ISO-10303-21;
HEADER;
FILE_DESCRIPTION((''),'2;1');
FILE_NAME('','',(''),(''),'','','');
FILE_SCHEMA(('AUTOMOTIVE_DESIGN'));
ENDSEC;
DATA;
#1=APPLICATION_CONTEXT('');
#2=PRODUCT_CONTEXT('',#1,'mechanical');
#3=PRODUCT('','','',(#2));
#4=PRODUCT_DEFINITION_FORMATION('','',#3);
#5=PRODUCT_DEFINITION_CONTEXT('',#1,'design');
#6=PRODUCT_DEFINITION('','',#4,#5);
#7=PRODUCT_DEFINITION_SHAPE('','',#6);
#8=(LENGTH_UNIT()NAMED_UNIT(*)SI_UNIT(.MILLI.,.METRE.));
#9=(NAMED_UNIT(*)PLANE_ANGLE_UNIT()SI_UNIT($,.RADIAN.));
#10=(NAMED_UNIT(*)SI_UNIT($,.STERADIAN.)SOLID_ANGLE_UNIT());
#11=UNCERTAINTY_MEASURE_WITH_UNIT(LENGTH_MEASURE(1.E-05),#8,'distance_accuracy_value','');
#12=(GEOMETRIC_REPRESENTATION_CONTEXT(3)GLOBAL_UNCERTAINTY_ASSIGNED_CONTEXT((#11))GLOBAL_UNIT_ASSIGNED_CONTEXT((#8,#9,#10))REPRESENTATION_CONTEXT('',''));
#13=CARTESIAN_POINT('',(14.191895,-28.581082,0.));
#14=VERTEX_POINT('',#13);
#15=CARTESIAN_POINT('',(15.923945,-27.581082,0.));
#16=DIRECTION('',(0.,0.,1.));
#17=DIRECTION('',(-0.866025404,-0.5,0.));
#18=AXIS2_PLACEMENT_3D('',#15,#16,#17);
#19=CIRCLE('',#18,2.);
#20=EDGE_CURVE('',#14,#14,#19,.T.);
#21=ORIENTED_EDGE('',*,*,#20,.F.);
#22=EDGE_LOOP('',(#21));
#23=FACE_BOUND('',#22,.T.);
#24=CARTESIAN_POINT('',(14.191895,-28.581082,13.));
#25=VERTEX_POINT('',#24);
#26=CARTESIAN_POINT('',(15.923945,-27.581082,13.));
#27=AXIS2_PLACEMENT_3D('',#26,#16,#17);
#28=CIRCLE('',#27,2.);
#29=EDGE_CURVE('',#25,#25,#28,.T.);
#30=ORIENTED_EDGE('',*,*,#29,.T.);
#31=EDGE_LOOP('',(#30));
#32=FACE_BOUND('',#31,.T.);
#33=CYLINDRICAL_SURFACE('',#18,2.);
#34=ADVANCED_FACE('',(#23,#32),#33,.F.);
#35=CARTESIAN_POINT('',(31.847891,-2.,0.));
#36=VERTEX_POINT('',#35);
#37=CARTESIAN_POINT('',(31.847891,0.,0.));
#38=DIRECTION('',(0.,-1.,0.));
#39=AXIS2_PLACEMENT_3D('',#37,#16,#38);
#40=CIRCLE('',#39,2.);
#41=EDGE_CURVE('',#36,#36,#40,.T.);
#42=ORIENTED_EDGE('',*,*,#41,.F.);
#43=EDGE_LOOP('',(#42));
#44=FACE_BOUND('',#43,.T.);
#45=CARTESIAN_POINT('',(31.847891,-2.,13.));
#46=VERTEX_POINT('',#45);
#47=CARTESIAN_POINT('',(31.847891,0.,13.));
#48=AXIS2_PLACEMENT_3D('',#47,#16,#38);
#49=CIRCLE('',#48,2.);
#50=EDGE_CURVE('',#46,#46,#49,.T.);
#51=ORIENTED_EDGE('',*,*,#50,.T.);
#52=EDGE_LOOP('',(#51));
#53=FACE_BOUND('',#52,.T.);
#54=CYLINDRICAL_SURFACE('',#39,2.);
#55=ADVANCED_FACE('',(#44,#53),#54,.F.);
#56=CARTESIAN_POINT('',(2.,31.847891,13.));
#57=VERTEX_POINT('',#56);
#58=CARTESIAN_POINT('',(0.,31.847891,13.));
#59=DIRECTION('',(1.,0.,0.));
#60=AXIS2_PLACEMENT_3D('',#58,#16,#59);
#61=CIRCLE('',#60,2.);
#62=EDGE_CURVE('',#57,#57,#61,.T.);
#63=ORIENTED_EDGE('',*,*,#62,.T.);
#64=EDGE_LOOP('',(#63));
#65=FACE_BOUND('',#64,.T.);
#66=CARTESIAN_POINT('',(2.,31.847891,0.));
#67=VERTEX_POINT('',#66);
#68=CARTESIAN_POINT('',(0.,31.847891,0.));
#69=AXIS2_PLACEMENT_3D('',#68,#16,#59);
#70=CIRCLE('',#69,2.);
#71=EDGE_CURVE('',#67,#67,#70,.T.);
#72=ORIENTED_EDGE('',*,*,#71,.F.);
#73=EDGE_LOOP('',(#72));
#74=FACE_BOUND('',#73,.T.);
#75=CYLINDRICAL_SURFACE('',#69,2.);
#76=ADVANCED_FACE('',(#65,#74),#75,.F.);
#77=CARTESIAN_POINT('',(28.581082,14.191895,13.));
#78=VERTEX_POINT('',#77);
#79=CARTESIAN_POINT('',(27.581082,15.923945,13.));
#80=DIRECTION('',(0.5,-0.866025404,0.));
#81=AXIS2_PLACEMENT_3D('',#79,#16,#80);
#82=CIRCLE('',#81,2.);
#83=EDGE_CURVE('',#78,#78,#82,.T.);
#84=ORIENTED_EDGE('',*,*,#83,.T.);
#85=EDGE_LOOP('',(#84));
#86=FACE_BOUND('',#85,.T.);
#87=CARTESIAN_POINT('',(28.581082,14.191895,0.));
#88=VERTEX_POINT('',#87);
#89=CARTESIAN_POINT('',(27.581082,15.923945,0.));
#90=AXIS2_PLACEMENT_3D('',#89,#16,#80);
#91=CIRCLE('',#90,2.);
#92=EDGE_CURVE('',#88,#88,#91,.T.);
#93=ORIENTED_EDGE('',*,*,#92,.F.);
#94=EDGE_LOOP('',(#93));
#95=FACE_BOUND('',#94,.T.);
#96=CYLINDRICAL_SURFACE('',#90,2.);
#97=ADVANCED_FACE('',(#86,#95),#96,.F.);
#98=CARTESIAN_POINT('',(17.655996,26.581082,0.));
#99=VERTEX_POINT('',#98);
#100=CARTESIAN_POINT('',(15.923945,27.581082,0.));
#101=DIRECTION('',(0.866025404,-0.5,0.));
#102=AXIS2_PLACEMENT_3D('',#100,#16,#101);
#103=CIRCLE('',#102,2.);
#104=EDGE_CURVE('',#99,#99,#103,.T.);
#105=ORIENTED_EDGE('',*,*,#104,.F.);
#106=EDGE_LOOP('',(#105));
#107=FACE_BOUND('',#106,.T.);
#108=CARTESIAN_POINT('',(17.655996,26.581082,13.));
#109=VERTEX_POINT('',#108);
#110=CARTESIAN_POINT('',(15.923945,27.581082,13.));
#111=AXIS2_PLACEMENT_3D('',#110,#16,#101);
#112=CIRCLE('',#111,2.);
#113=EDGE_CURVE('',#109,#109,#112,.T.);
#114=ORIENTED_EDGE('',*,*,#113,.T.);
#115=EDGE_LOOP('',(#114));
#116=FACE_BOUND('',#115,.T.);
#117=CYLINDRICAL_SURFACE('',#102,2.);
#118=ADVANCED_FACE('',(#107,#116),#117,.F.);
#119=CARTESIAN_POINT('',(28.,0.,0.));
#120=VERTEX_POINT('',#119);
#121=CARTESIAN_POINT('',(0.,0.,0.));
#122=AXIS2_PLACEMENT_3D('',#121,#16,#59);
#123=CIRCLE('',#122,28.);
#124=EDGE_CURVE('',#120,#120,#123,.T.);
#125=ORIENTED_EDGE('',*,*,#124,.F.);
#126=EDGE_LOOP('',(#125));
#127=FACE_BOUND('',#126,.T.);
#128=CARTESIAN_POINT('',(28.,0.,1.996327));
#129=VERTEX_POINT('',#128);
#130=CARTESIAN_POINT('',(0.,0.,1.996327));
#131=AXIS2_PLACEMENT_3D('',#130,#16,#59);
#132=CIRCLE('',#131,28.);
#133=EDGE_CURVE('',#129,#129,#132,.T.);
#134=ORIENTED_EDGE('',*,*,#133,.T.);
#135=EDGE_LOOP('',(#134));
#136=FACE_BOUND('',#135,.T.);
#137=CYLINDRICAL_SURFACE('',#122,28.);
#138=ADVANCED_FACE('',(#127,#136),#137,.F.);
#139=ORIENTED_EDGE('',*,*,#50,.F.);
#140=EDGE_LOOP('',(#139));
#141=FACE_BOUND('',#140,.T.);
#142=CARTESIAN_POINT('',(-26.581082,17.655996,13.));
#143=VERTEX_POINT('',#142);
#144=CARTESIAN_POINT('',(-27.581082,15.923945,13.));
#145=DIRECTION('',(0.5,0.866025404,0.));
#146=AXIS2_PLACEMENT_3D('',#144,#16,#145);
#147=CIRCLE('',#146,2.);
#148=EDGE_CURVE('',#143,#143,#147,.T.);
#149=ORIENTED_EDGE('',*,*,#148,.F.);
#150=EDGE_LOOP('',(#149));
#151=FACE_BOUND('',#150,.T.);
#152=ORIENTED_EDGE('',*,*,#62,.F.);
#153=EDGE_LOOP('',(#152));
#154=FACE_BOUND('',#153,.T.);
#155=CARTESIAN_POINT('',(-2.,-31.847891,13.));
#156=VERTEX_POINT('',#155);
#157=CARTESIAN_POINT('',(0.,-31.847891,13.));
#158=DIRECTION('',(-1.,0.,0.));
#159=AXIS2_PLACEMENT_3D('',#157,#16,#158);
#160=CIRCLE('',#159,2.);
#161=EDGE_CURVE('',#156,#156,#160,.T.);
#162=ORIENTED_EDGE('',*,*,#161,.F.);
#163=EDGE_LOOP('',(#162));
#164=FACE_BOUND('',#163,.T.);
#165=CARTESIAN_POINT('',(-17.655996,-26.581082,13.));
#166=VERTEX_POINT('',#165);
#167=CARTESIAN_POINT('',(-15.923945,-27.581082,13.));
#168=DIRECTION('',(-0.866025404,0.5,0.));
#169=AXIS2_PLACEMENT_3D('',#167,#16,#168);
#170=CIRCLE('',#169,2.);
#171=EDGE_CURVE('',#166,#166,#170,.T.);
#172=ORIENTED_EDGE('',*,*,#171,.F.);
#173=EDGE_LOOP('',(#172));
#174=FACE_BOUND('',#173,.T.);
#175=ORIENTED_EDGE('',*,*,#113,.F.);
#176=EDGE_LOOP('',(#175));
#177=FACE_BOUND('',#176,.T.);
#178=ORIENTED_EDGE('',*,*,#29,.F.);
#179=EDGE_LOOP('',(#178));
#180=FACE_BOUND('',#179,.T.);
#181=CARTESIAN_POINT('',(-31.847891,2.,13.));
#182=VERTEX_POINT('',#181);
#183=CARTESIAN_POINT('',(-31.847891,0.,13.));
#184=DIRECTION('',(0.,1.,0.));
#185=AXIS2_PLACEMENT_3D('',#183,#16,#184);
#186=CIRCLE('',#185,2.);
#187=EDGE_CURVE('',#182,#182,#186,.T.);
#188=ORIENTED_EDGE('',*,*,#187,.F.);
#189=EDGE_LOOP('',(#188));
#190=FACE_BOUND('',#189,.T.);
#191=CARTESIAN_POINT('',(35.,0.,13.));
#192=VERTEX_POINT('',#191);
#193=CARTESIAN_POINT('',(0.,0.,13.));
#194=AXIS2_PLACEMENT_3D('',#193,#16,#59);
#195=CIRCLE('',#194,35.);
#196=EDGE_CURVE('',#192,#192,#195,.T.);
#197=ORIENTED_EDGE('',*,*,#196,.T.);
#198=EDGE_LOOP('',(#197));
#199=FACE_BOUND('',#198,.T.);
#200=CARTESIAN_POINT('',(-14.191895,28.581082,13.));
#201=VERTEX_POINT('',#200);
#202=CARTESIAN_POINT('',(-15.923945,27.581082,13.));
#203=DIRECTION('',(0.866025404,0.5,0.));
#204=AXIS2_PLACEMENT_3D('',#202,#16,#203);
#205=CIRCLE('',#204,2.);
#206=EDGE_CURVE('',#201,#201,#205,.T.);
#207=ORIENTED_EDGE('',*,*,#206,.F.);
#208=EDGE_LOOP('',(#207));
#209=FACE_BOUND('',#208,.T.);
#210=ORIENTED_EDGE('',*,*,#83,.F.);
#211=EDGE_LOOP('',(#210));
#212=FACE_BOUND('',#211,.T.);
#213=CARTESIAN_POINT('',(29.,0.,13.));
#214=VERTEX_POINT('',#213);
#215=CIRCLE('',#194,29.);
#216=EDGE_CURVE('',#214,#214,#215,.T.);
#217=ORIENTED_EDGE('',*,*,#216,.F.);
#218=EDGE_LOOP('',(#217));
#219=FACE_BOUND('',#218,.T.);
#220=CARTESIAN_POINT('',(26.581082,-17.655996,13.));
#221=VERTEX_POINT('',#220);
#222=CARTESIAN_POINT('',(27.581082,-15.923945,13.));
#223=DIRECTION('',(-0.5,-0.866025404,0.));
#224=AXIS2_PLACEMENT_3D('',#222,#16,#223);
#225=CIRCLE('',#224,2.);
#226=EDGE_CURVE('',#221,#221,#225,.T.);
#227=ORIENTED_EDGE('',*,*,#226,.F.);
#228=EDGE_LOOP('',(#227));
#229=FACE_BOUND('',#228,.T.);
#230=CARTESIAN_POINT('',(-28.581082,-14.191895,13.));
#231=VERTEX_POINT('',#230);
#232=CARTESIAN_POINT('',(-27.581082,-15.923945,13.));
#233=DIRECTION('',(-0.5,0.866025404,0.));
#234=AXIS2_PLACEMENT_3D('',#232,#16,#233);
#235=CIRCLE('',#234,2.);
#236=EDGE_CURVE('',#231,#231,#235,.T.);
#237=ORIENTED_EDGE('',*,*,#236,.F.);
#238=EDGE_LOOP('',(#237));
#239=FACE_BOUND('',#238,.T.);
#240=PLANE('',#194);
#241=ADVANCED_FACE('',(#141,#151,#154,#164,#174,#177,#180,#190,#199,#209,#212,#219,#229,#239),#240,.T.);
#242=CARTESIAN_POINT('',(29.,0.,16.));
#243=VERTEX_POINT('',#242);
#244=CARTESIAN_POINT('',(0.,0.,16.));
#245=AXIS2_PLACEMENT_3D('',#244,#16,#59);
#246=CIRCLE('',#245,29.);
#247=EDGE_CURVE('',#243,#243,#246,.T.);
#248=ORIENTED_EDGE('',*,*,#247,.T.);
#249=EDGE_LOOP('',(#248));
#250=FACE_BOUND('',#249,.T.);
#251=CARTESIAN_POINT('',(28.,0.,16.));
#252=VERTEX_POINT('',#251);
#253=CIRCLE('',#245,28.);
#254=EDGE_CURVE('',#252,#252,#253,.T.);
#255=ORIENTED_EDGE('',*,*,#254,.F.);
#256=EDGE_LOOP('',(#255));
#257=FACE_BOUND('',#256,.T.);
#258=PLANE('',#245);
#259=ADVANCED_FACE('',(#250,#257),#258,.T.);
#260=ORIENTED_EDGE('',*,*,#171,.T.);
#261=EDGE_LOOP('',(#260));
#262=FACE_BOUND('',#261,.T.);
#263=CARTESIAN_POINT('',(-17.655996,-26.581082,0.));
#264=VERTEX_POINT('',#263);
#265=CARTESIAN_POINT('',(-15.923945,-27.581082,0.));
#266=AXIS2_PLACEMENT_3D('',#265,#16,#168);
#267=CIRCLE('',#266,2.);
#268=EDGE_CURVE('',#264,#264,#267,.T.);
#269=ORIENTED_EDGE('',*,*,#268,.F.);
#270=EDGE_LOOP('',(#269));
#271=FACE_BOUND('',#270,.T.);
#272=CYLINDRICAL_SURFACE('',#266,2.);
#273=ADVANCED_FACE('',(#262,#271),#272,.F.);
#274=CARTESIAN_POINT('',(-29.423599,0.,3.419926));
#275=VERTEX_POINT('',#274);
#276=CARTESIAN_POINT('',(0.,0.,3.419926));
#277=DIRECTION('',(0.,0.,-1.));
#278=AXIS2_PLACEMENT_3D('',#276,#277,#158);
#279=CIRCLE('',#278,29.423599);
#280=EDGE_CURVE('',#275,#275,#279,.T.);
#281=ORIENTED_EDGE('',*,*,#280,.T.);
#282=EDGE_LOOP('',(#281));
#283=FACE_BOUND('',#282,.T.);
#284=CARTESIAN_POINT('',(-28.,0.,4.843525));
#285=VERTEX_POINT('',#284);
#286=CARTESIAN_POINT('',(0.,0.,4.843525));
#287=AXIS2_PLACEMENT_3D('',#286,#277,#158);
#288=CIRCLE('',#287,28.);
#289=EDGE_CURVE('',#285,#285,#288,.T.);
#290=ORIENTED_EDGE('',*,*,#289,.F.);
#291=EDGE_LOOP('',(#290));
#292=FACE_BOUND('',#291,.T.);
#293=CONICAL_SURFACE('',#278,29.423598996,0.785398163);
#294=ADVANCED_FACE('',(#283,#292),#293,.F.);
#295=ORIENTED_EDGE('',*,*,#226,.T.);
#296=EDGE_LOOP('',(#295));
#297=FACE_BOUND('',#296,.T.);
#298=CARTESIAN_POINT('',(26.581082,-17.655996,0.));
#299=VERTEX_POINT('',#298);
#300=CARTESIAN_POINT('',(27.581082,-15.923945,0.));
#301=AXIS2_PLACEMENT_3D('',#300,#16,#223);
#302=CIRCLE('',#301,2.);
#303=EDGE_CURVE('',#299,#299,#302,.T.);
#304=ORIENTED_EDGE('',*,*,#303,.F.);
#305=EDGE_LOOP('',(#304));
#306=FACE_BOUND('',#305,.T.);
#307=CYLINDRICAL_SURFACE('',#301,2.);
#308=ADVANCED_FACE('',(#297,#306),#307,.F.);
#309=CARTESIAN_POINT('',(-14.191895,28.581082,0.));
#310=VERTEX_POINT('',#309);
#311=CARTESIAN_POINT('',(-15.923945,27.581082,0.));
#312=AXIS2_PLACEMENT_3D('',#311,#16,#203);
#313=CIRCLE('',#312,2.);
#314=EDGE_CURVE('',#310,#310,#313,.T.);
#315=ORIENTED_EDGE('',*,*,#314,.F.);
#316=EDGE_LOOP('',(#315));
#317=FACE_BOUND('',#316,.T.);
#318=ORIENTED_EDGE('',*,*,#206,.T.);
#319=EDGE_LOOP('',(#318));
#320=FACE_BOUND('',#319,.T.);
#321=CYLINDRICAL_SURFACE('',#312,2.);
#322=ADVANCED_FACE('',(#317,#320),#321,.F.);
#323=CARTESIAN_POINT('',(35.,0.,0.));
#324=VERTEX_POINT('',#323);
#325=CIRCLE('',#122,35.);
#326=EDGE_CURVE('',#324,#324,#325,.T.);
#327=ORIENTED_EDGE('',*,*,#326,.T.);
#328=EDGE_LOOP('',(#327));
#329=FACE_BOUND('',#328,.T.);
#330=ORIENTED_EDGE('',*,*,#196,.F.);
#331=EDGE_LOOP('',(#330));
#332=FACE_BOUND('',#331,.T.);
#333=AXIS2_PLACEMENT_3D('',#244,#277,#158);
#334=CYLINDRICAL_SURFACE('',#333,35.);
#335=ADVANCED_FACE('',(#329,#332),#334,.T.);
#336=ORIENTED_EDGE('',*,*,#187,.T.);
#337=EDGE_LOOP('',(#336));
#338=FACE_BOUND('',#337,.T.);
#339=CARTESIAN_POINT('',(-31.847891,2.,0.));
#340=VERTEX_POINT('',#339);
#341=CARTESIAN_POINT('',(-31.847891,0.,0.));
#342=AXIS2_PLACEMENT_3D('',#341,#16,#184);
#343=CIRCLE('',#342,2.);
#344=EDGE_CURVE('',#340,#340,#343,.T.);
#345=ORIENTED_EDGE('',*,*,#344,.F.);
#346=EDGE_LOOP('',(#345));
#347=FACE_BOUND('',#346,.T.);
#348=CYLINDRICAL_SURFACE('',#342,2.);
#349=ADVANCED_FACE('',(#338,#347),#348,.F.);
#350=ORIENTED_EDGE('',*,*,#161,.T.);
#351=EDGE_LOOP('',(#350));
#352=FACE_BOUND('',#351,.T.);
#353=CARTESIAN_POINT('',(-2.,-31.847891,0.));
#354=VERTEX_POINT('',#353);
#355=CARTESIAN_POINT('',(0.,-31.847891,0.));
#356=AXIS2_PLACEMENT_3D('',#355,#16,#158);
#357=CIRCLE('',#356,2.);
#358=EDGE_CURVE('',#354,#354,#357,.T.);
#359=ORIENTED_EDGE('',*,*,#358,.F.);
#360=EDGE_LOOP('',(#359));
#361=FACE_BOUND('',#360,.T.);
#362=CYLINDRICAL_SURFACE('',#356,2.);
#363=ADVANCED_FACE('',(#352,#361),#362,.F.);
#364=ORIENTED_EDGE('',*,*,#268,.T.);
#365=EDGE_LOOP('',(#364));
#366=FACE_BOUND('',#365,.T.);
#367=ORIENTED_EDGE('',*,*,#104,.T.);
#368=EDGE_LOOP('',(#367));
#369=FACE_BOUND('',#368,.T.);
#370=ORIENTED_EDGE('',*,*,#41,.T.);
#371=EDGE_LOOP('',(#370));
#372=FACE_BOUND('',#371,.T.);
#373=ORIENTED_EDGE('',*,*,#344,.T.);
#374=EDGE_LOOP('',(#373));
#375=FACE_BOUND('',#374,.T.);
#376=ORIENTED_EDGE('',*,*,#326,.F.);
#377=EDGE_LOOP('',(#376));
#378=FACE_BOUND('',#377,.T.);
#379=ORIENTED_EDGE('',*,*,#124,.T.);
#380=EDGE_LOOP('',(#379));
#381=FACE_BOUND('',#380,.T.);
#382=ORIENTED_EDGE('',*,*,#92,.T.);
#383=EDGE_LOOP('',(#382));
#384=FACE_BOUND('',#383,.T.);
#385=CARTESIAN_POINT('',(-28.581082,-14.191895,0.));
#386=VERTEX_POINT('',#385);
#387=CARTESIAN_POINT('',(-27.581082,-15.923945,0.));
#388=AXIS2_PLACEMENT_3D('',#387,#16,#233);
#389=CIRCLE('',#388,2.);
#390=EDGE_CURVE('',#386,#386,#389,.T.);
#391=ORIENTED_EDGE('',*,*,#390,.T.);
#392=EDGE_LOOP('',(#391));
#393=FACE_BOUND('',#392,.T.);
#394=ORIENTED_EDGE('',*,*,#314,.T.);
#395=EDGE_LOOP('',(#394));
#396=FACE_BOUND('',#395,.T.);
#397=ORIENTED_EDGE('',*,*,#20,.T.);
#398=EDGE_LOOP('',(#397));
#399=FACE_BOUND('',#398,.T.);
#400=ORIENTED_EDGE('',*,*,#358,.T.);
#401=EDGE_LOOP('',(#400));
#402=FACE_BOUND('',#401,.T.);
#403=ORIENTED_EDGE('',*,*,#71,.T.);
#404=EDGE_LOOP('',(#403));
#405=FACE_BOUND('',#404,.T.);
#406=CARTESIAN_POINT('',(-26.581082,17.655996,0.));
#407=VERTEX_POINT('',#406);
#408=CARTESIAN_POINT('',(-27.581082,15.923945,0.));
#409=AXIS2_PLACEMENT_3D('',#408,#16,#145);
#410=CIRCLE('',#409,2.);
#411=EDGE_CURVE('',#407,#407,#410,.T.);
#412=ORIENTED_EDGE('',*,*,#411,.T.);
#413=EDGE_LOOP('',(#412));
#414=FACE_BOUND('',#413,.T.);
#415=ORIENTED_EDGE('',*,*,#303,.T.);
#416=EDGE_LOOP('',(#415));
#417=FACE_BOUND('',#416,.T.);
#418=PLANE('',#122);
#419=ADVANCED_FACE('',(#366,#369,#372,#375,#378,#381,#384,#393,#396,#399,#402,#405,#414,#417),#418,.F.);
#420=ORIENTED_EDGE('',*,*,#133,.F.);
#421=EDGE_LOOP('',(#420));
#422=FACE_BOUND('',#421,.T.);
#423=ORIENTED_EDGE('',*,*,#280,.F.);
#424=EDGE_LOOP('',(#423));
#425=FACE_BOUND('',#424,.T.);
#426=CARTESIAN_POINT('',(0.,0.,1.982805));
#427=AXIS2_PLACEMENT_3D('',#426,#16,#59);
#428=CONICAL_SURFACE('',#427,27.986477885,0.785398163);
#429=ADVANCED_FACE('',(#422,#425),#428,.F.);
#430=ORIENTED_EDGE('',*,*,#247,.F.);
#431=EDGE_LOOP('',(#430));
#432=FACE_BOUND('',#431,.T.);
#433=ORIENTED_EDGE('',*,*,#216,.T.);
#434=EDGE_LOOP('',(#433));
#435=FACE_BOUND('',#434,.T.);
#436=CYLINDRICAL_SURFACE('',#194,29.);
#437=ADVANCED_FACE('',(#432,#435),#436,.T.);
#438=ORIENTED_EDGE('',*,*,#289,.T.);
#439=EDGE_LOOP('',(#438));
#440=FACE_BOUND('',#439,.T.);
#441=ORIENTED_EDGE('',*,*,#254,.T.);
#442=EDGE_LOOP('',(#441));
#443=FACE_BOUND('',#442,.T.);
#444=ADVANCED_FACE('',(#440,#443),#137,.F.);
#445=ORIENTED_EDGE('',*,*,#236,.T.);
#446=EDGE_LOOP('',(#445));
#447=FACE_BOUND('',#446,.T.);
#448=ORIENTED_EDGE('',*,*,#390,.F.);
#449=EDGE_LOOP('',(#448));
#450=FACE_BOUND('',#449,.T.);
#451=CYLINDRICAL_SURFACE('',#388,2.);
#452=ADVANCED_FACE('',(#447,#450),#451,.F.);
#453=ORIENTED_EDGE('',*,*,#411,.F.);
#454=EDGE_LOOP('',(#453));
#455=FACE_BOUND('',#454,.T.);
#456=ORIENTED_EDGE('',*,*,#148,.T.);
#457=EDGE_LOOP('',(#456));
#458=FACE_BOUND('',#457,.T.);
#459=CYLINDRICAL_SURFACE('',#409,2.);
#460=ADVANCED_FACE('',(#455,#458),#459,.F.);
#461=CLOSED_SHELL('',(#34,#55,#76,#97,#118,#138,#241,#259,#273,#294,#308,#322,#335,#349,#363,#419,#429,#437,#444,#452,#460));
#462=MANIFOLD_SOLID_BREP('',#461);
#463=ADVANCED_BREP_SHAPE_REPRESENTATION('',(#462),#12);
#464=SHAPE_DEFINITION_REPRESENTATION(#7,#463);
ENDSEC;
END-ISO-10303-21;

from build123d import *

# Parameters (mm, degrees)
SKETCH_1_R               = 35
EXTRUDE_1_DEPTH          = 16
SKETCH_2_R               = 35
SKETCH_2_R_2             = 29
CUT_EXTRUDE_1_DEPTH      = 3
SKETCH_3_R               = 28
CUT_EXTRUDE_2_DEPTH      = 17
SKETCH_4_R               = 2
CUT_EXTRUDE_3_DEPTH      = 14
PATTERN_CIRCULAR_1_COUNT = 12


with BuildPart() as part:
    # 草图1 → 凸台-拉伸1 (new body)
    with BuildSketch(Plane.XY):
        Circle(SKETCH_1_R)
    extrude(amount=EXTRUDE_1_DEPTH)

    # 草图2 → 切除-拉伸1 (cut)
    with BuildSketch(Plane.XY.offset(16)):
        Circle(SKETCH_2_R)
        Circle(SKETCH_2_R_2, mode=Mode.SUBTRACT)
    extrude(amount=-CUT_EXTRUDE_1_DEPTH, mode=Mode.SUBTRACT)

    # 草图3 → 切除-拉伸2 (cut, through all)
    with BuildSketch(Plane.XY.offset(16)):
        Circle(SKETCH_3_R)
    extrude(amount=-CUT_EXTRUDE_2_DEPTH, mode=Mode.SUBTRACT)

    # 草图4 → 切除-拉伸3 (cut, through all)
    with BuildSketch(Plane.XY.offset(13)):
        with Locations((0, 31.847890671)):
            Circle(SKETCH_4_R)
    cut_extrude_3 = extrude(amount=-CUT_EXTRUDE_3_DEPTH, mode=Mode.SUBTRACT)

    # 阵列(圆周)1: 切除-拉伸3 ×12 about axis
    pattern_circular_1_axis = Axis((0, 0, 0), (0, 0, 1))
    for i in range(1, PATTERN_CIRCULAR_1_COUNT):
        add(cut_extrude_3.rotate(pattern_circular_1_axis, i * 360 / PATTERN_CIRCULAR_1_COUNT), mode=Mode.SUBTRACT)

    # 草图5 → 切除-旋转3 (revolve, cut)
    with BuildSketch(Plane(origin=(0, 0, 0), x_dir=(0, 0, -1), z_dir=(1, 0, 0))):
        Polygon((-4.855352657, 27.98817223), (-1.98280478, 27.986477885), (-3.419925891, 29.423598996), align=None)
    revolve(axis=Axis((0, 0, 0), (0, 0, 1)), mode=Mode.SUBTRACT)


solid = part.part
